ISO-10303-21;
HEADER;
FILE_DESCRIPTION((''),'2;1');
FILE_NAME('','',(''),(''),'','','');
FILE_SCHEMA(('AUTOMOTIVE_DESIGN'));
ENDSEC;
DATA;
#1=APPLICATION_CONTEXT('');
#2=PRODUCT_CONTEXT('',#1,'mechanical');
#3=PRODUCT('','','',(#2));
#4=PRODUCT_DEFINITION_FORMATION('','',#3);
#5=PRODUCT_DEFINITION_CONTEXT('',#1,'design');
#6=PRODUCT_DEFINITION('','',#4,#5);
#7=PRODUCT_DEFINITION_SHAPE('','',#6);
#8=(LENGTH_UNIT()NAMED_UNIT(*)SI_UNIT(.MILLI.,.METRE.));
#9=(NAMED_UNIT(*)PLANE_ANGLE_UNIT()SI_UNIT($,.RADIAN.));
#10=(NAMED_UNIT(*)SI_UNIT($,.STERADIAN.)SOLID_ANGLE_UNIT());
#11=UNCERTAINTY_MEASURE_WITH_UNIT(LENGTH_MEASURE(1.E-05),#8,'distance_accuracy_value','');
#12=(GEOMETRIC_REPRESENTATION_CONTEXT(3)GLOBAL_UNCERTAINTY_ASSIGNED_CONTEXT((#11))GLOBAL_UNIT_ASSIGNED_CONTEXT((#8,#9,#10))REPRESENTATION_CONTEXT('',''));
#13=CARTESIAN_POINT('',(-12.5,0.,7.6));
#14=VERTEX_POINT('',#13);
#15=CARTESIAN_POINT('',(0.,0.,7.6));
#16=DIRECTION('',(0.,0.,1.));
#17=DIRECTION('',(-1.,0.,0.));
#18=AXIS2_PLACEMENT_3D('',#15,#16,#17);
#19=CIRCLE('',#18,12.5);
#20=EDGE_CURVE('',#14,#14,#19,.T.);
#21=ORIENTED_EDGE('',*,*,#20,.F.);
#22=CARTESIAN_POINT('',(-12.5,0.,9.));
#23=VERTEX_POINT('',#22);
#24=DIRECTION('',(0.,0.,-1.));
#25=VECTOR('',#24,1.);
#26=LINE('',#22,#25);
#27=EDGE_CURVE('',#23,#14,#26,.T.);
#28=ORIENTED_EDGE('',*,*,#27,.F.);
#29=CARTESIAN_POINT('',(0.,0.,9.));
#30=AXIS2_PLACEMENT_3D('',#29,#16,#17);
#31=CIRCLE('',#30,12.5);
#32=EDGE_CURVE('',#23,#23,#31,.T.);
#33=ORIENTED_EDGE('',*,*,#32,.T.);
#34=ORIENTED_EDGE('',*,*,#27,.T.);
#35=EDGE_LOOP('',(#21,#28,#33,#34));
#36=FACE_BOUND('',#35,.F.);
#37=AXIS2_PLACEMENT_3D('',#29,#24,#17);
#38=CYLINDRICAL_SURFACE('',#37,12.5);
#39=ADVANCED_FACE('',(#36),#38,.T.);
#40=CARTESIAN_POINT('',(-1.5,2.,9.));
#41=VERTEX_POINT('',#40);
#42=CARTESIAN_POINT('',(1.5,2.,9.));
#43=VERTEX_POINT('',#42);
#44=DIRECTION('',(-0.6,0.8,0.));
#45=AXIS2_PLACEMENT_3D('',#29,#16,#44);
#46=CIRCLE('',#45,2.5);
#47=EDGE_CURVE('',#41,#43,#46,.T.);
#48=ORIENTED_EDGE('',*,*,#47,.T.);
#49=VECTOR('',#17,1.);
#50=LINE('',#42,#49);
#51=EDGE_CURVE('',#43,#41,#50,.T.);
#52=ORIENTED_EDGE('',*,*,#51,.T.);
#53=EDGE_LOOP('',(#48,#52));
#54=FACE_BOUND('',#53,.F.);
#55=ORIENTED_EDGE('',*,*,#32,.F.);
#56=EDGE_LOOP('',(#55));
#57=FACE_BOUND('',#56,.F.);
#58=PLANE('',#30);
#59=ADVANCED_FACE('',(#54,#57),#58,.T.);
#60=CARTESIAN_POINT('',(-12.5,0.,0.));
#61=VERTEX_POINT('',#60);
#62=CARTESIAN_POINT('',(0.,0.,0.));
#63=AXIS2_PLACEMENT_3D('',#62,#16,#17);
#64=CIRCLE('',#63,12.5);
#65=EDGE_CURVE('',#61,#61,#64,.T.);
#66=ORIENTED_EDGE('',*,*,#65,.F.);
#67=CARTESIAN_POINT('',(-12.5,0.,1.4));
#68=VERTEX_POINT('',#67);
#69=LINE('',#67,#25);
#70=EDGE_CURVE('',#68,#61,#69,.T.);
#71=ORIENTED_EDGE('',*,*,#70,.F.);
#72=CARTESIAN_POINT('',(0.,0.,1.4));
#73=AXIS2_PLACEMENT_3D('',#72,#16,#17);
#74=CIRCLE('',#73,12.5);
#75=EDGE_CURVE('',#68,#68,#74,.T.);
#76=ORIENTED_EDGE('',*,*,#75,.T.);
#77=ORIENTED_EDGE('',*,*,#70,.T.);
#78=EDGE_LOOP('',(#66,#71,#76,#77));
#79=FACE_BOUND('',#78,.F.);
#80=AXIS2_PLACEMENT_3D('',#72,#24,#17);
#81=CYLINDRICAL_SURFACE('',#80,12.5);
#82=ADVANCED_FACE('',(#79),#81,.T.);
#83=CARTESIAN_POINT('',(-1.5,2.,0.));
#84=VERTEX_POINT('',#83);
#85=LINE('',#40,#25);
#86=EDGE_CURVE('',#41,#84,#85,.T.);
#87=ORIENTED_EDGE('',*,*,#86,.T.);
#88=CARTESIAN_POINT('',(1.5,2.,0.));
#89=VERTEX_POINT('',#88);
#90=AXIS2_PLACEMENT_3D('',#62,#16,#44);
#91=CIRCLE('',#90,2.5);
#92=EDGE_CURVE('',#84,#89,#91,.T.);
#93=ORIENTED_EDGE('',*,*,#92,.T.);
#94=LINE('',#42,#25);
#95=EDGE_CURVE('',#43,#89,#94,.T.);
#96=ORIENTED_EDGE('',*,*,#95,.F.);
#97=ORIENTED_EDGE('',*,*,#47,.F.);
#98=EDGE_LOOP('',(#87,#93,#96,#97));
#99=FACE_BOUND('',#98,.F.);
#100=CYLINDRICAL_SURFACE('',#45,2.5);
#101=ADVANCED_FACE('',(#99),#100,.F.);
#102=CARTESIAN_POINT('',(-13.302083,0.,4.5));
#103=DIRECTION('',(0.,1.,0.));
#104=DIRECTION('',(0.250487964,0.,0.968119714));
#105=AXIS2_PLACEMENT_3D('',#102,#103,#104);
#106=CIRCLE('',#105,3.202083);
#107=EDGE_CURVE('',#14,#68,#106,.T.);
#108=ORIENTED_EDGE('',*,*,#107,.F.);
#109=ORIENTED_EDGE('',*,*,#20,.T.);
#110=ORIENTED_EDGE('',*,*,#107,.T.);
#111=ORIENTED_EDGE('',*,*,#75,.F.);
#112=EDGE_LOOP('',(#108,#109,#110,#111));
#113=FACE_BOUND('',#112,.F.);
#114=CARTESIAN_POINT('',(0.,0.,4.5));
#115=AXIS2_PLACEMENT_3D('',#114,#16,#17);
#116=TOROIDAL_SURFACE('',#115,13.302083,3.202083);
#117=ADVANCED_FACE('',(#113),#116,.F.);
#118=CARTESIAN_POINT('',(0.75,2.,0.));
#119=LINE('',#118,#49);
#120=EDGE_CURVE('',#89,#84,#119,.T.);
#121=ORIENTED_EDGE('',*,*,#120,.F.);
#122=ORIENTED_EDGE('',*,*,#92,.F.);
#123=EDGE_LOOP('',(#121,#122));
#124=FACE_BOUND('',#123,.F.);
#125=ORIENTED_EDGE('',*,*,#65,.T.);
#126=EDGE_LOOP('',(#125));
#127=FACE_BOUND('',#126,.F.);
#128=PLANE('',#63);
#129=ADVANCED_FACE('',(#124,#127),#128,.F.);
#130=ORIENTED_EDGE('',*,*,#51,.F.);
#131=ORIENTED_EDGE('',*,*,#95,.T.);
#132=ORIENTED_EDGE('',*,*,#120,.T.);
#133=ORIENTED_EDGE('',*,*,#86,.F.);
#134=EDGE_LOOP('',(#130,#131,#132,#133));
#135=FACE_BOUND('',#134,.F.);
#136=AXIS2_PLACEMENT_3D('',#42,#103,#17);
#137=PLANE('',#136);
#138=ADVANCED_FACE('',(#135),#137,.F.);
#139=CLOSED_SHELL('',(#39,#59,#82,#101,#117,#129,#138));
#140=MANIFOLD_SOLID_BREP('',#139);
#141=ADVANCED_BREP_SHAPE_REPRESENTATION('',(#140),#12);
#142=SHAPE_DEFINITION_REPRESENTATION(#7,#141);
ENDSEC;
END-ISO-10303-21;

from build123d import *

# Parameters (mm, degrees)
F3_DEPTH = 9.001


with BuildPart() as f1:
    # F0 (on Front) → F1 (revolve)
    with BuildSketch(Plane.XZ):
        with BuildLine():
            Line((-12.5, 0), (0, 0))
            Line((0, 0), (0, 9))
            Line((0, 9), (-12.5, 9))
            Line((-12.5, 9), (-12.5, 7.6))
            ThreePointArc((-12.5, 7.6), (-10.1, 4.5), (-12.5, 1.4))
            Line((-12.5, 1.4), (-12.5, 0))
        make_face()
    revolve(axis=Axis((0, 0, 4.5), (0, 0, 1)))

    # F2 (on face) → F3 (cut, through all)
    with BuildSketch(Plane.XY.offset(9)):
        with BuildLine():
            Line((1.5, 2), (-1.5, 2))
            ThreePointArc((-1.5, 2), (0, -2.5), (1.5, 2))
        make_face()
    extrude(amount=-F3_DEPTH, mode=Mode.SUBTRACT)


solid = f1.part
